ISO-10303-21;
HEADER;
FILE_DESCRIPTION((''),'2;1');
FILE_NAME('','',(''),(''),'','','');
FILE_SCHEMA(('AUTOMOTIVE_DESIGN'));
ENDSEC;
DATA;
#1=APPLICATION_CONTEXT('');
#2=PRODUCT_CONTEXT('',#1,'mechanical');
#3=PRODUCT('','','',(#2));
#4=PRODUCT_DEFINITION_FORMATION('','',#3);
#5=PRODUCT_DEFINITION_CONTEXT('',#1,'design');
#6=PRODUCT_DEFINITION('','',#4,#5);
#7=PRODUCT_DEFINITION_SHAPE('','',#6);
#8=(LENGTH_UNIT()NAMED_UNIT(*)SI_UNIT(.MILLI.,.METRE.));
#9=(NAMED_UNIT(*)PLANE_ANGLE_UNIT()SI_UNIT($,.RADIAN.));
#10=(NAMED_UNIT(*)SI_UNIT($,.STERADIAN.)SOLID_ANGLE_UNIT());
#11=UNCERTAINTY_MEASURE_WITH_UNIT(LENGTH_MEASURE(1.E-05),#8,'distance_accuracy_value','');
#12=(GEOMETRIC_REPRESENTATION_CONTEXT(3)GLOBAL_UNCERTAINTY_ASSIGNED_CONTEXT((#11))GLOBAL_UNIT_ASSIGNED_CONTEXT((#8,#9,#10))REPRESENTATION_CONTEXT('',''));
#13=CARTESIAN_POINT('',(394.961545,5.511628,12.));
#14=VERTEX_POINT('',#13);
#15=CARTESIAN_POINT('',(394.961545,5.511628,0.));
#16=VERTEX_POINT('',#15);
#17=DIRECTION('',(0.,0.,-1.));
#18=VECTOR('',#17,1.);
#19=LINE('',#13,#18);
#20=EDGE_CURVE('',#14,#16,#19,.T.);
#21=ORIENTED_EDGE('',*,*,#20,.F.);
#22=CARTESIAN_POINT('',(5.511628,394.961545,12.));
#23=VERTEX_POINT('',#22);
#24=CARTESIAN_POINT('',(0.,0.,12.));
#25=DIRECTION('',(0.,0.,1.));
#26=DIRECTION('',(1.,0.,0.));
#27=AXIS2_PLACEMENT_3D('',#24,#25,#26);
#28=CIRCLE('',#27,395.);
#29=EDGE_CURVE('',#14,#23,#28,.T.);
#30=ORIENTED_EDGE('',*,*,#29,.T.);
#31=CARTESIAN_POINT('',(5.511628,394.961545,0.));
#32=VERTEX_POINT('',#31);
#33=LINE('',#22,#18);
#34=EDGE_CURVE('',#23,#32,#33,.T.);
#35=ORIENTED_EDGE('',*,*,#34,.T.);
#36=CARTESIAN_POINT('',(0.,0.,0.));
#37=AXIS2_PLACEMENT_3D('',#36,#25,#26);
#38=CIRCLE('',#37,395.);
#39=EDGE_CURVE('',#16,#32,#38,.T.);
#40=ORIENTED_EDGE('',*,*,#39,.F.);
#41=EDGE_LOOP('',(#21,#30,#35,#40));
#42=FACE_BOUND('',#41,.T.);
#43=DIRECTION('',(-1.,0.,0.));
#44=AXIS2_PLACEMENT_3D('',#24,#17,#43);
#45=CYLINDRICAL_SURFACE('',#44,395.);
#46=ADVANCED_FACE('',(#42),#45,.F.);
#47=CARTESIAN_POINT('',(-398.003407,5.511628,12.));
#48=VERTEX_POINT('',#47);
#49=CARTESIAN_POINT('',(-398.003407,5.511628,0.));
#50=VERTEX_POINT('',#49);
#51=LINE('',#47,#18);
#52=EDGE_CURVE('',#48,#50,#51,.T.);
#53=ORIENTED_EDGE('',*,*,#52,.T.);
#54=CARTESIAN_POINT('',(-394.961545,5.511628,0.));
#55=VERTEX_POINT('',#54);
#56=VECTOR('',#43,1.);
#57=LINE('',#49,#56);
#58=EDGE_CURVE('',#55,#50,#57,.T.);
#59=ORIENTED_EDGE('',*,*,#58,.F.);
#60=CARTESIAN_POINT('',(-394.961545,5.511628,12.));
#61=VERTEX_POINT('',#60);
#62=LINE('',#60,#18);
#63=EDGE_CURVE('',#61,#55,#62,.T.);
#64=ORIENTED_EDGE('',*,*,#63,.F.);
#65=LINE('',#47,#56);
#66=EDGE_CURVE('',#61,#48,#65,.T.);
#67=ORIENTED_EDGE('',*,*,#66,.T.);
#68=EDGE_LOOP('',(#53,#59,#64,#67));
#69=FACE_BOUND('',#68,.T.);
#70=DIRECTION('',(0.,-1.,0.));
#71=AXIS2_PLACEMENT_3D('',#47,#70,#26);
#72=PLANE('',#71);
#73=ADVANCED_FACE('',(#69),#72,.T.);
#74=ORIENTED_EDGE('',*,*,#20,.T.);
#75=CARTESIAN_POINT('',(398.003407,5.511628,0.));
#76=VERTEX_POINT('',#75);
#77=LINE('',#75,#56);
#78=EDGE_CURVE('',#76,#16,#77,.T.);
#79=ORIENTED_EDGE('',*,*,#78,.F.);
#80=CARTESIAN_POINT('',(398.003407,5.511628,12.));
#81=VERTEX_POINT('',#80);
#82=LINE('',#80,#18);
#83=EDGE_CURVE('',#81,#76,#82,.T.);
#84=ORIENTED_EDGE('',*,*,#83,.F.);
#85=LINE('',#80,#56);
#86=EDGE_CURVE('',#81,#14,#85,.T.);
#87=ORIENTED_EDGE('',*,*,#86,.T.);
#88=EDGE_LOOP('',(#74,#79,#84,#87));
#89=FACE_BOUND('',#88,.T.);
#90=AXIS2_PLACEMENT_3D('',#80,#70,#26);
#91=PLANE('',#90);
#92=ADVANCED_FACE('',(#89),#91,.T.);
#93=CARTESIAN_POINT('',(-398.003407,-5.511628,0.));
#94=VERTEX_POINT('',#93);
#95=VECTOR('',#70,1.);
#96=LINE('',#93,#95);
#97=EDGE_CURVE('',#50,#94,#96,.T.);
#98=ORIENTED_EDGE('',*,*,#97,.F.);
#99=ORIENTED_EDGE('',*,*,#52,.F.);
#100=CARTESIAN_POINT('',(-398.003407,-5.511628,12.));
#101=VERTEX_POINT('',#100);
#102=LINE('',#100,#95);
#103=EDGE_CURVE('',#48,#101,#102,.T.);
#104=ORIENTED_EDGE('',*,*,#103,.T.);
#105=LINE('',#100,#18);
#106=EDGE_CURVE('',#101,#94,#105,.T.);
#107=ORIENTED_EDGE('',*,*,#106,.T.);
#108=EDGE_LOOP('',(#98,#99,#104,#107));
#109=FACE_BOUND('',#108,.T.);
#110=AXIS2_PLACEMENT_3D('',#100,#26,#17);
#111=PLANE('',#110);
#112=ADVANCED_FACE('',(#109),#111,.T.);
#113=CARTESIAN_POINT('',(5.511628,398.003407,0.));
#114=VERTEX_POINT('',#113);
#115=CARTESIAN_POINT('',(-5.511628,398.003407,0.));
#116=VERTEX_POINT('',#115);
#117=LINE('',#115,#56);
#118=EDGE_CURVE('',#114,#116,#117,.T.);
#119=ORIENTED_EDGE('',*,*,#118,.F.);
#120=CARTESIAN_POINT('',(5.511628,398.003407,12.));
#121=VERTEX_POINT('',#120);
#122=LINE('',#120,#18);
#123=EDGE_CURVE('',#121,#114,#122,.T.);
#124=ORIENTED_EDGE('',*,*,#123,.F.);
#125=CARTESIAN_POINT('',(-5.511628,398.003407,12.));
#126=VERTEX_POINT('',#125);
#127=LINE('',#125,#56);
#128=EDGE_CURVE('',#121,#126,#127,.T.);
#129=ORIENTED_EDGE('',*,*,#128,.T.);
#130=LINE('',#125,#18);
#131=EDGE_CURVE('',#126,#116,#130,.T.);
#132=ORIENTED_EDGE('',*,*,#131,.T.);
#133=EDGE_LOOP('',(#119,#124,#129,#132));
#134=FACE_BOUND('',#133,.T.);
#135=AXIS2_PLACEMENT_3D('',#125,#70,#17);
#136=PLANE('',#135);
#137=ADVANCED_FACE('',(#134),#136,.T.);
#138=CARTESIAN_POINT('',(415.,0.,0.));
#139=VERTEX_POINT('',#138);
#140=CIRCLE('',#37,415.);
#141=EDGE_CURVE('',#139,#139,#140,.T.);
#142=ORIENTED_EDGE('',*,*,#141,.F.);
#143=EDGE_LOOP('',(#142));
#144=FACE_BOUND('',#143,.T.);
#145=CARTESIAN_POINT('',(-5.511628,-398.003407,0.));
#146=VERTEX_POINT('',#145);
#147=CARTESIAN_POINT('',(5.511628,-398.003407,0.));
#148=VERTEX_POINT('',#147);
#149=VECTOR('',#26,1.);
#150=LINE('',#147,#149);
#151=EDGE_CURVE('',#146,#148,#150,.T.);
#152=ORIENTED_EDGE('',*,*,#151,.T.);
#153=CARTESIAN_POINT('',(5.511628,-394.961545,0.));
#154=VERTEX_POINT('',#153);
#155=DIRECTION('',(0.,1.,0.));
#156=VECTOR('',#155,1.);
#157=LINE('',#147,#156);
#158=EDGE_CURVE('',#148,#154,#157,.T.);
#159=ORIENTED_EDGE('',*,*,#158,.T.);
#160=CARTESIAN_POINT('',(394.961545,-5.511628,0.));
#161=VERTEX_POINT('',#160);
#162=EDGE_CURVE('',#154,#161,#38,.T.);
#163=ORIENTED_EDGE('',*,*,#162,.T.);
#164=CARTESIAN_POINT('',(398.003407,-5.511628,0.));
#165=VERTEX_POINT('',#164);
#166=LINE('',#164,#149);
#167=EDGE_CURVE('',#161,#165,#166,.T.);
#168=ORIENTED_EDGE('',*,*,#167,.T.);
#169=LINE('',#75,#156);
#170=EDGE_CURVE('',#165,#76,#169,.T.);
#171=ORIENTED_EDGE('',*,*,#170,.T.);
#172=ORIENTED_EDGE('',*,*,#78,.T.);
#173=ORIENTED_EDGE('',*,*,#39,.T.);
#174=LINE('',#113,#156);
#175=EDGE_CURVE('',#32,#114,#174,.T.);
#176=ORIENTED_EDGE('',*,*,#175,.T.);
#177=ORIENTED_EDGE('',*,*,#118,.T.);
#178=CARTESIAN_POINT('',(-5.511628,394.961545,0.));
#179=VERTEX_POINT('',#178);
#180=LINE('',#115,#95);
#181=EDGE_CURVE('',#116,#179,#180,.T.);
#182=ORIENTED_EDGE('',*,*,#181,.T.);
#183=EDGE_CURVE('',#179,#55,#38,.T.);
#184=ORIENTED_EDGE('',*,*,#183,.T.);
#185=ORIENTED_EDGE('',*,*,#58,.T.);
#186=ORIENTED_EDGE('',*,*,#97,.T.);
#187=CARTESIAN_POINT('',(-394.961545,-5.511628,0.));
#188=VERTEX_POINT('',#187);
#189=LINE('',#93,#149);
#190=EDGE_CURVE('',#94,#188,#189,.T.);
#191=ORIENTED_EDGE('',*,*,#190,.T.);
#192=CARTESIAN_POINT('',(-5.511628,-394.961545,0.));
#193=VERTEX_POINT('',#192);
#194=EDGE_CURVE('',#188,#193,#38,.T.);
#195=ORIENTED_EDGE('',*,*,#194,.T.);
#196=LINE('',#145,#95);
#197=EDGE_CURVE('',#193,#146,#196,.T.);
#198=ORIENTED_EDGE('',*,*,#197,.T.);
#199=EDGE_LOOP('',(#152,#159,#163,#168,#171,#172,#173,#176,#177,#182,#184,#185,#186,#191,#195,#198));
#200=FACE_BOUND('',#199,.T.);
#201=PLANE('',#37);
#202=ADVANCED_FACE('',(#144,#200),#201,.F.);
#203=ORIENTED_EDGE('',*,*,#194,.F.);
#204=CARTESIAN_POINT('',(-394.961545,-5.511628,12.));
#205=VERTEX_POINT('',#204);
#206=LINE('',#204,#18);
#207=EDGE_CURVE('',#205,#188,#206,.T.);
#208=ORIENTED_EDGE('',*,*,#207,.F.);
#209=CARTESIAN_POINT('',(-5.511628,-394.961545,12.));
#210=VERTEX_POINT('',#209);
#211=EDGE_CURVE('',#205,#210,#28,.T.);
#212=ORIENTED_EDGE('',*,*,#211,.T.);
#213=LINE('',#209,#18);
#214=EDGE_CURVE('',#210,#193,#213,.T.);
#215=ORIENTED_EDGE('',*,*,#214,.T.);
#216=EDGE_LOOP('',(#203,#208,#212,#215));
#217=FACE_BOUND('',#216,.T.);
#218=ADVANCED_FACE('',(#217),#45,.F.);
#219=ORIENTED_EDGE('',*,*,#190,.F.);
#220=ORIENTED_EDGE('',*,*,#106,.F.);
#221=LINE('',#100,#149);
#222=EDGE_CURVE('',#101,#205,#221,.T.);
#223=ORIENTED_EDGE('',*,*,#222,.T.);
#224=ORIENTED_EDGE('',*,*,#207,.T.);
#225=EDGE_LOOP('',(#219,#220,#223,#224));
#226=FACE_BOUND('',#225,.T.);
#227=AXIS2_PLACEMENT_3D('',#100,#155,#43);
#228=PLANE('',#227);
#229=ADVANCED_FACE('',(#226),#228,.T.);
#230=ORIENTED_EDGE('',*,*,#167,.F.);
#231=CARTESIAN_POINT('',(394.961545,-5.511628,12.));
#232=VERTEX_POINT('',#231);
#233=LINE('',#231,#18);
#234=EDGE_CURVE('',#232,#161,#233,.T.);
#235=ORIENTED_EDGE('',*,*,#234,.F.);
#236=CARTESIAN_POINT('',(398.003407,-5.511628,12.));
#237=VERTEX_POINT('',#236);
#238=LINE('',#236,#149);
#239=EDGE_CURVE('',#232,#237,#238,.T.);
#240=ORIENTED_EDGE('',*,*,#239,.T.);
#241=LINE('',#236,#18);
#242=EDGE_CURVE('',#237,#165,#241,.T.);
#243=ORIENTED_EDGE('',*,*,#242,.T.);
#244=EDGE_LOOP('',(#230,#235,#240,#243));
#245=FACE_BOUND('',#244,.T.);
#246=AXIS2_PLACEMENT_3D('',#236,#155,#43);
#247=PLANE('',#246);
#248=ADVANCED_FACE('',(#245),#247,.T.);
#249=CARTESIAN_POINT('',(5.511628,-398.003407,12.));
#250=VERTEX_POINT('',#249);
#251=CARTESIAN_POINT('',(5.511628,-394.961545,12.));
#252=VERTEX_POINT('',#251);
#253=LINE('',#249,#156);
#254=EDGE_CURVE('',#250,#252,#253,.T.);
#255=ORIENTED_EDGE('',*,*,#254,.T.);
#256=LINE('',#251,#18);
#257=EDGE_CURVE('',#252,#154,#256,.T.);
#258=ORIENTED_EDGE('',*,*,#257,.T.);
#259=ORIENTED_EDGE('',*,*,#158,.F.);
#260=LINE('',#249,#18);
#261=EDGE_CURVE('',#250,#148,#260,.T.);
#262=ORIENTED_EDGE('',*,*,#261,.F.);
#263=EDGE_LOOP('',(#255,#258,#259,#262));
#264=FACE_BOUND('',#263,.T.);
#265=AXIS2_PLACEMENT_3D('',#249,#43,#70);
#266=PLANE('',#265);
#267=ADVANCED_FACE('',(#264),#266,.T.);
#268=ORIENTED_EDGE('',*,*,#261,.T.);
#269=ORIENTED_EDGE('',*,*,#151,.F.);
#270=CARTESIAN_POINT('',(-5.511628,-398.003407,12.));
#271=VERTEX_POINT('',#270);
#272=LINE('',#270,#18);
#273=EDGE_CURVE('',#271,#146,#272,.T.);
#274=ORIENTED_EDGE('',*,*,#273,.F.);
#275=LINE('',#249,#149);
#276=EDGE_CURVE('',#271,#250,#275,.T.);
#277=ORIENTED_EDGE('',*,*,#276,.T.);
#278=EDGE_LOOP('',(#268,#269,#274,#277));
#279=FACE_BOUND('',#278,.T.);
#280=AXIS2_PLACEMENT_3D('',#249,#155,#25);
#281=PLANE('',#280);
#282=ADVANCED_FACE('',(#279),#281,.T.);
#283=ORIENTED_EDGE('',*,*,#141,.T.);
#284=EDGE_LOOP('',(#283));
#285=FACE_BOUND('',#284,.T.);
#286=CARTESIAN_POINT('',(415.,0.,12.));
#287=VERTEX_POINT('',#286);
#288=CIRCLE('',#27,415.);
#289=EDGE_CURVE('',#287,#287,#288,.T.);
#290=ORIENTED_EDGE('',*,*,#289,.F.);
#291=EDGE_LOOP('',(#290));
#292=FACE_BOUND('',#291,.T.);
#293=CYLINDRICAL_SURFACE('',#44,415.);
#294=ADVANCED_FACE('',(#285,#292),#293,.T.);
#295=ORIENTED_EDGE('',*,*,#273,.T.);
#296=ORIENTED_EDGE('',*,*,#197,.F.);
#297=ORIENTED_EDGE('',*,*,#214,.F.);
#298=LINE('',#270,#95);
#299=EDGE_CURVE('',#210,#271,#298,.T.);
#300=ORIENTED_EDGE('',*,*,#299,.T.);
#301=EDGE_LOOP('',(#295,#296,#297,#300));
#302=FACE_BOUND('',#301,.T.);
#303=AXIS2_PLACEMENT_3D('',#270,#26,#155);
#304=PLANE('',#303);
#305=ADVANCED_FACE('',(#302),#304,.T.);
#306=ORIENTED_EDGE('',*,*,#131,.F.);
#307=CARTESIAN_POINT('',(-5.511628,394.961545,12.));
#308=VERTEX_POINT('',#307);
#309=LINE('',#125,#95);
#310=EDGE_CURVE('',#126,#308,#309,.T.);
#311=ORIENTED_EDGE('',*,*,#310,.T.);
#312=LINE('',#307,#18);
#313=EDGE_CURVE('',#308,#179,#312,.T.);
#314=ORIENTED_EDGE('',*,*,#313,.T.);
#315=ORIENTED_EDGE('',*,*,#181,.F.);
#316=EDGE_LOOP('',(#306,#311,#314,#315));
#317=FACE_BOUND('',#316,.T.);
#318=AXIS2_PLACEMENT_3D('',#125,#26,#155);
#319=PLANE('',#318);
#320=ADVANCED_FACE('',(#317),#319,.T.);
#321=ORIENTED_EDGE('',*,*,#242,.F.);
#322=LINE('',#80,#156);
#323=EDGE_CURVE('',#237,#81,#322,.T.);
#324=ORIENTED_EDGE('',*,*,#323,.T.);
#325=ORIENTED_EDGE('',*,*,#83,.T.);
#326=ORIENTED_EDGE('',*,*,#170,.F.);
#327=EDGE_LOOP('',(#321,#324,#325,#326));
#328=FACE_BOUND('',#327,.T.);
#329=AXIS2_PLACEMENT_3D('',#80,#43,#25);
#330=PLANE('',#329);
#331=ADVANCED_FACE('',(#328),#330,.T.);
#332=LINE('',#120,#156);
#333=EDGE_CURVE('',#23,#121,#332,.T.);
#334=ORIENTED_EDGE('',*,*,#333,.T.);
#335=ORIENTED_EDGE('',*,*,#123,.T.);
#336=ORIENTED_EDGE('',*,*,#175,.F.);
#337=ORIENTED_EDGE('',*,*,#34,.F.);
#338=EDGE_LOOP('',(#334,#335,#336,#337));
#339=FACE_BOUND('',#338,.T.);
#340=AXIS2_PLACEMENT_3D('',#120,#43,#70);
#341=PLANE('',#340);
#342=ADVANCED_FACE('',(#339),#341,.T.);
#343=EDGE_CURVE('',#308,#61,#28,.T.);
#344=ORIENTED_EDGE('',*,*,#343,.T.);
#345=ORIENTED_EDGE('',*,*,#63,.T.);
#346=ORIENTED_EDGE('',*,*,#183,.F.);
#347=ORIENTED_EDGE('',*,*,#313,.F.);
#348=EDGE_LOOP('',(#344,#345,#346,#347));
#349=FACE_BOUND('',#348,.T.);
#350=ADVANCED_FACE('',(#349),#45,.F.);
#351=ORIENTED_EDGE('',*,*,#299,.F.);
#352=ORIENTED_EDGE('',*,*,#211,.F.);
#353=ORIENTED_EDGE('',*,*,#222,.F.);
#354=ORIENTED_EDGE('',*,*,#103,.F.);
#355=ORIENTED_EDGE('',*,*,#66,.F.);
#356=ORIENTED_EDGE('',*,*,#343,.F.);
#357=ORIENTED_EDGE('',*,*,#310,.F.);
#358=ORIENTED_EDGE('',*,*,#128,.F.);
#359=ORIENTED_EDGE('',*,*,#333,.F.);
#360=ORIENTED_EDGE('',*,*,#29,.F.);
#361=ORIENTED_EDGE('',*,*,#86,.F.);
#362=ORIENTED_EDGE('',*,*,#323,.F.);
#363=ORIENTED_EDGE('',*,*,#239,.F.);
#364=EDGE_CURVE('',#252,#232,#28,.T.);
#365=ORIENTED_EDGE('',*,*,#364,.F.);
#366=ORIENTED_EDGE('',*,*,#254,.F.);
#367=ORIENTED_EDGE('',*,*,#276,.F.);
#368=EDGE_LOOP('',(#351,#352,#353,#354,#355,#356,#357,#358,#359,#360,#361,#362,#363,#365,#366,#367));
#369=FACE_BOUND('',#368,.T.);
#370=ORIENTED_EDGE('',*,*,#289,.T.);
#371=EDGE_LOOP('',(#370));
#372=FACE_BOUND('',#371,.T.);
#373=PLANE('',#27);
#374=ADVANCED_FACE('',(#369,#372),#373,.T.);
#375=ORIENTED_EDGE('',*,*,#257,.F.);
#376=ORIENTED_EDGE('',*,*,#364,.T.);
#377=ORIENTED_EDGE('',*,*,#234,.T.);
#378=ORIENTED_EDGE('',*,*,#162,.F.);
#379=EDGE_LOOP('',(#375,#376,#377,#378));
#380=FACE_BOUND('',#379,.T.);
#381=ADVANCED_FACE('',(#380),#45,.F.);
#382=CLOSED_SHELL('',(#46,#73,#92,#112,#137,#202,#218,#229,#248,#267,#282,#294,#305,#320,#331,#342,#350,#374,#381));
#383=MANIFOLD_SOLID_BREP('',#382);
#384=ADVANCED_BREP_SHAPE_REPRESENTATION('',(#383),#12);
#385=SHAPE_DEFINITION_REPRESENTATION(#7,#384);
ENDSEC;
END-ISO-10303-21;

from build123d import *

# Parameters (mm, degrees)
SKETCH1_R           = 415
BOSS_EXTRUDE1_DEPTH = 12


with BuildPart() as part:
    # Sketch1 → Boss-Extrude1 (new body)
    with BuildSketch(Plane.XY):
        Circle(SKETCH1_R)
        with BuildLine():
            Line((398.003407413, 5.511627907), (394.96154491, 5.511627907))
            ThreePointArc((394.96154491, 5.511627907), (279.307178569, 279.307178569), (5.511627907, 394.96154491))
            Line((5.511627907, 394.96154491), (5.511627907, 398.003407413))
            Line((5.511627907, 398.003407413), (-5.511627907, 398.003407413))
            Line((-5.511627907, 398.003407413), (-5.511627907, 394.96154491))
            ThreePointArc((-5.511627907, 394.96154491), (-279.307178569, 279.307178569), (-394.96154491, 5.511627907))
            Line((-394.96154491, 5.511627907), (-398.003407413, 5.511627907))
            Line((-398.003407413, 5.511627907), (-398.003407413, -5.511627907))
            Line((-398.003407413, -5.511627907), (-394.96154491, -5.511627907))
            ThreePointArc((-394.96154491, -5.511627907), (-279.307178569, -279.307178569), (-5.511627907, -394.96154491))
            Line((-5.511627907, -394.96154491), (-5.511627907, -398.003407413))
            Line((-5.511627907, -398.003407413), (5.511627907, -398.003407413))
            Line((5.511627907, -398.003407413), (5.511627907, -394.96154491))
            ThreePointArc((5.511627907, -394.96154491), (279.307178569, -279.307178569), (394.96154491, -5.511627907))
            Line((394.96154491, -5.511627907), (398.003407413, -5.511627907))
            Line((398.003407413, -5.511627907), (398.003407413, 5.511627907))
        make_face(mode=Mode.SUBTRACT)
    extrude(amount=BOSS_EXTRUDE1_DEPTH)


solid = part.part
